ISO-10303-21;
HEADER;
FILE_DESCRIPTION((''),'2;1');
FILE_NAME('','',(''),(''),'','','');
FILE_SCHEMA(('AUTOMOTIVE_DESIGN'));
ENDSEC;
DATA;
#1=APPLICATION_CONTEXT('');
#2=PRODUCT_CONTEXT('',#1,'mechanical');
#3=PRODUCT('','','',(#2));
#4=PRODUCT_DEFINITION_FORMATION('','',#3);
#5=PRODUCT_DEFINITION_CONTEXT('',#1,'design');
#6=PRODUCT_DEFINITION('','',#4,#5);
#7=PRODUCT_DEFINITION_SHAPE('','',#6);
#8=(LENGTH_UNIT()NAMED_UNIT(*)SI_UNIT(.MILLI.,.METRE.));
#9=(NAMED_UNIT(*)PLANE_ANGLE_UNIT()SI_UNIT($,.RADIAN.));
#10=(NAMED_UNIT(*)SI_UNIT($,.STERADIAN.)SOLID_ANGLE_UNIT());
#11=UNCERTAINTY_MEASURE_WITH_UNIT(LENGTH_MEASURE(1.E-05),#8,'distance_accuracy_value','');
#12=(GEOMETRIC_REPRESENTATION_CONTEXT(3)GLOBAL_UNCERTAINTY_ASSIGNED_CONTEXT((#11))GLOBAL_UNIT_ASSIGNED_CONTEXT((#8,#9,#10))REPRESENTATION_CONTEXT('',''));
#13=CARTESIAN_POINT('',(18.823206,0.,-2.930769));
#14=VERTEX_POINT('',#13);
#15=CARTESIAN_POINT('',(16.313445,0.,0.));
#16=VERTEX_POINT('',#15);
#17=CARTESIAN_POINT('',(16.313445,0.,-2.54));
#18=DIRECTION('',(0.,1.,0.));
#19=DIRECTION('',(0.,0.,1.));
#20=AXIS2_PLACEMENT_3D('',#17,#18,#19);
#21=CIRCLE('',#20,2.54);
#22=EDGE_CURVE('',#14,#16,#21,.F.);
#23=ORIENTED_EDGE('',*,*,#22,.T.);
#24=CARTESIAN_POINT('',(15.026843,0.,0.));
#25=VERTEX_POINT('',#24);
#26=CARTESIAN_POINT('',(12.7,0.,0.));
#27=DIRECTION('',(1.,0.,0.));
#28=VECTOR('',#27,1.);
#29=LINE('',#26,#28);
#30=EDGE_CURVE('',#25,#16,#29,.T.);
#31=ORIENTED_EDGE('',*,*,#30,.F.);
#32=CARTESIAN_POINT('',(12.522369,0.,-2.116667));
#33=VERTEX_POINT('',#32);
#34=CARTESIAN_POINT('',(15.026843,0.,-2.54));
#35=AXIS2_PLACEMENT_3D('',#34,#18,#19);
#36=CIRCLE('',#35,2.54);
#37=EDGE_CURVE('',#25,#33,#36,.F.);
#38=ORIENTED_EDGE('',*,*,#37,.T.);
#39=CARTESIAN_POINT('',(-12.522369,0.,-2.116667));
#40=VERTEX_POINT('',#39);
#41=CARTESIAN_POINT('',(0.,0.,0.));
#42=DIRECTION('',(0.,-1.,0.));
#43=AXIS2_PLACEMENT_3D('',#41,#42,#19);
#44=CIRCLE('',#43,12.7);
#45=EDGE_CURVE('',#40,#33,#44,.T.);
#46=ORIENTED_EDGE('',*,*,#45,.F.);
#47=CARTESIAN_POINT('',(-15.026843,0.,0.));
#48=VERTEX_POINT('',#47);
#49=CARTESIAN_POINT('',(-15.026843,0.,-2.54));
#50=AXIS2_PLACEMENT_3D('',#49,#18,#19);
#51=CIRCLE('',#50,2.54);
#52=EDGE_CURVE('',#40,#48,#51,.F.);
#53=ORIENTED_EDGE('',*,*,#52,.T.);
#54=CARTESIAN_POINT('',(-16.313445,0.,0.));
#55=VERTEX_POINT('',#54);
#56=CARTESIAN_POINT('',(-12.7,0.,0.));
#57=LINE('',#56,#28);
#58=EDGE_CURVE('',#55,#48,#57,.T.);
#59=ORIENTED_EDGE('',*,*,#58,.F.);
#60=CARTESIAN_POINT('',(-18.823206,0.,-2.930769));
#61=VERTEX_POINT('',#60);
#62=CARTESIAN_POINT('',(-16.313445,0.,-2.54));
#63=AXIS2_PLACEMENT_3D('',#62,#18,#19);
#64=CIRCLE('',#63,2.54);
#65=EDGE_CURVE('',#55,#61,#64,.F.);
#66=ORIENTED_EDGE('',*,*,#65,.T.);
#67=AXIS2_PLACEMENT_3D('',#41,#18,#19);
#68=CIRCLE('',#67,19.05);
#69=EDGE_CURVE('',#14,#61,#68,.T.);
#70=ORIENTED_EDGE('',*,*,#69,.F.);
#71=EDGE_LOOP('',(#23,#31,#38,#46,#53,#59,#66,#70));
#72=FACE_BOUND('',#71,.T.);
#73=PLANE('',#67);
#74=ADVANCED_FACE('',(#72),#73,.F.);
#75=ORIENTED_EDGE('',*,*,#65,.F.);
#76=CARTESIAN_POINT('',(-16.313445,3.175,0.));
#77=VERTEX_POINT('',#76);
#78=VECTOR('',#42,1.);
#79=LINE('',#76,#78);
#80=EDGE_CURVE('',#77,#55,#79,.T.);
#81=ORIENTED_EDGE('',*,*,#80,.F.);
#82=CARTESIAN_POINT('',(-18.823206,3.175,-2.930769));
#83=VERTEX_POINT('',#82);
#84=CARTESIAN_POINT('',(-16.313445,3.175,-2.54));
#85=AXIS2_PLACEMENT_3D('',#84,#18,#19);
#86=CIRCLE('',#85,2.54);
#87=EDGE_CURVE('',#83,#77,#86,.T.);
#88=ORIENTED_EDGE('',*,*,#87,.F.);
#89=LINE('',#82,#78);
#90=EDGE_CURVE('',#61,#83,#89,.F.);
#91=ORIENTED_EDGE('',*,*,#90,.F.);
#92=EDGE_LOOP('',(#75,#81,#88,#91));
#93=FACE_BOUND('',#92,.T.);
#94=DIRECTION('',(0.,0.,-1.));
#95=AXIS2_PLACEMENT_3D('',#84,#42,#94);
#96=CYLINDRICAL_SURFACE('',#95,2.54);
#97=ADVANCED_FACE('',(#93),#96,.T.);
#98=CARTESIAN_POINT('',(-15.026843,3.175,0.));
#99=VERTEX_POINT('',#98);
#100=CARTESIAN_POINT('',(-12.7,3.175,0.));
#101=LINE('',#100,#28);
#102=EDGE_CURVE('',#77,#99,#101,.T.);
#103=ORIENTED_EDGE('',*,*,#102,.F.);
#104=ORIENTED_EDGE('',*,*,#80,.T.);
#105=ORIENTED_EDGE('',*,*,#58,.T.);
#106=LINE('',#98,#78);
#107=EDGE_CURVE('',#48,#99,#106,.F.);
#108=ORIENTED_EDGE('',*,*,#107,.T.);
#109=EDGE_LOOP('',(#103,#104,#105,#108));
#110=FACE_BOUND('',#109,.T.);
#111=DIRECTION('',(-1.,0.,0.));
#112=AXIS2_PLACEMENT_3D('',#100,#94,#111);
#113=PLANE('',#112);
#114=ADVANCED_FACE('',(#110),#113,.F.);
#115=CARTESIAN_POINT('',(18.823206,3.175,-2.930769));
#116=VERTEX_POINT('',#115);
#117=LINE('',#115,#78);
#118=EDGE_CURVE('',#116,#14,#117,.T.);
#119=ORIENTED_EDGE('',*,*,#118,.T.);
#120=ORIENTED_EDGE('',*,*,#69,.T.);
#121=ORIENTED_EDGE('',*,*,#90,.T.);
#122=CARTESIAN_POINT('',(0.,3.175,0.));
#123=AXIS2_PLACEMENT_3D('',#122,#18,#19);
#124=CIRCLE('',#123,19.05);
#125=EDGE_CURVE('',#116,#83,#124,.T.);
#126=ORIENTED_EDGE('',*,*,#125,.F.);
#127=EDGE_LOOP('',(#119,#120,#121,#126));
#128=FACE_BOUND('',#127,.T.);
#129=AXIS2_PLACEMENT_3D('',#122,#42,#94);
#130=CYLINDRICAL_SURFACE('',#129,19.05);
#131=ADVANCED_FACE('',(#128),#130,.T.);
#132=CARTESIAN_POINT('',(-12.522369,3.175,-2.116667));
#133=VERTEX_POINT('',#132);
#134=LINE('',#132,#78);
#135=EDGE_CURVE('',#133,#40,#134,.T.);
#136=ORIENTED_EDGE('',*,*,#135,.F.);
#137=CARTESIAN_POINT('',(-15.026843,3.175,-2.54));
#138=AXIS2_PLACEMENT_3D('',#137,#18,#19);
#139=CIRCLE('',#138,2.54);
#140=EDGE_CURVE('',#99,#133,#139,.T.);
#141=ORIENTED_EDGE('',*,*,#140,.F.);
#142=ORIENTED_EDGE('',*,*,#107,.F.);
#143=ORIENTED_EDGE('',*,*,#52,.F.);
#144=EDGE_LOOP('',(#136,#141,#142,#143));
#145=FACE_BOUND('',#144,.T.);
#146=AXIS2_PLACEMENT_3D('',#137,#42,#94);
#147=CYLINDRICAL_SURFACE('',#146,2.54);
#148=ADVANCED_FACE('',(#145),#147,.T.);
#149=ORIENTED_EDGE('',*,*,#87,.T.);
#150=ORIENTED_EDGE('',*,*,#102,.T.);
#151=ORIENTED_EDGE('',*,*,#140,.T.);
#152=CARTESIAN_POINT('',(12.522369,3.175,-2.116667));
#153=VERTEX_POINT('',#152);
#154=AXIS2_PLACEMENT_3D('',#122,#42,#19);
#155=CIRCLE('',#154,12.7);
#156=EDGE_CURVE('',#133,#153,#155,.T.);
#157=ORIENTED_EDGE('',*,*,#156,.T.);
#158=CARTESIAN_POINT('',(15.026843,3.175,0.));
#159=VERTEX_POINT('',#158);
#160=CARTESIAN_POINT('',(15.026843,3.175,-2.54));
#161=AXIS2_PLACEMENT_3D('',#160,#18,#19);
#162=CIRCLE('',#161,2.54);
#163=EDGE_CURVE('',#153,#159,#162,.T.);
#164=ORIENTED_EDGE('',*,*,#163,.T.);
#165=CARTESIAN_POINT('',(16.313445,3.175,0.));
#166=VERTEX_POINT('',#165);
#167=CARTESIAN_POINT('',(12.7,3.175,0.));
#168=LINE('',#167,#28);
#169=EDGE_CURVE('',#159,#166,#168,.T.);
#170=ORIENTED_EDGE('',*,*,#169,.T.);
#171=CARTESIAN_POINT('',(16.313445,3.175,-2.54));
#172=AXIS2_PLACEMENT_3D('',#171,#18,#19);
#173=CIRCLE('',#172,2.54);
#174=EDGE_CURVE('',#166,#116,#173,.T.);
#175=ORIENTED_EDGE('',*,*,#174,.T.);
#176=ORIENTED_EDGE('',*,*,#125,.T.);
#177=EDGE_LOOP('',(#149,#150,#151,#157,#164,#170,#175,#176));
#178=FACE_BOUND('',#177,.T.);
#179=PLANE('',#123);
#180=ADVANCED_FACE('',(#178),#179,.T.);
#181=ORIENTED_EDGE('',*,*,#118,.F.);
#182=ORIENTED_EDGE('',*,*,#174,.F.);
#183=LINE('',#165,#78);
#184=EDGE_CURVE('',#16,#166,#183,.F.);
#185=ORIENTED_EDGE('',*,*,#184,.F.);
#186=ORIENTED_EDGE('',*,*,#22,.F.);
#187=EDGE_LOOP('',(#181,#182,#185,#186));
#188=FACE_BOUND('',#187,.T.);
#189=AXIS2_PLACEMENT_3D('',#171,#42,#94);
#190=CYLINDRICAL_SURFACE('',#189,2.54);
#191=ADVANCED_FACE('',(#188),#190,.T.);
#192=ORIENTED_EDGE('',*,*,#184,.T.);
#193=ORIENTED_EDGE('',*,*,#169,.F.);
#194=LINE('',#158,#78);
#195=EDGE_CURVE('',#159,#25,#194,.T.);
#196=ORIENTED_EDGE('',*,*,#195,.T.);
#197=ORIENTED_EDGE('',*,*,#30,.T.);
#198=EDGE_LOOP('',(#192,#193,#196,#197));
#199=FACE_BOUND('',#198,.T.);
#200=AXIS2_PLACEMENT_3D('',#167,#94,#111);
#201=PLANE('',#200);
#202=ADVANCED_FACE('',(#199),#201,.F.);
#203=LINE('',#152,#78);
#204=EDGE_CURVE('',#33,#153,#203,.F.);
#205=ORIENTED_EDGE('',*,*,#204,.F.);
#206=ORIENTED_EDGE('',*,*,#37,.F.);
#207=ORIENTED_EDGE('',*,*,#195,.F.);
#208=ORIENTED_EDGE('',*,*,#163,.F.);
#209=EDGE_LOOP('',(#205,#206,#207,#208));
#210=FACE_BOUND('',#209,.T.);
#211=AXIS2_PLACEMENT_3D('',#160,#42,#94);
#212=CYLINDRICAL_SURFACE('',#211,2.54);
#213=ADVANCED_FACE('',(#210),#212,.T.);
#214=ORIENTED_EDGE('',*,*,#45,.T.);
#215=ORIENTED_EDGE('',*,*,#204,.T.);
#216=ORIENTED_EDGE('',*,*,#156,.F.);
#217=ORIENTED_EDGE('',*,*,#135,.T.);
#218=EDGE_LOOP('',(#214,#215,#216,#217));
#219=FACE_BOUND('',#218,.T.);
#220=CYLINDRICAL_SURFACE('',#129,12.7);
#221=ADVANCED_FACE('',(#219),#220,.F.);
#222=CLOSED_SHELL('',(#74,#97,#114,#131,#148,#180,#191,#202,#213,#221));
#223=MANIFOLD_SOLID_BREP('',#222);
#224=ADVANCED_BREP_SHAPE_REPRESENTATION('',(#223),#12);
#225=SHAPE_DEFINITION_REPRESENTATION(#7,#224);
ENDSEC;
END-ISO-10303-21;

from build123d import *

# Parameters (mm, degrees)
BOSS_EXTRUDE1_DEPTH = 3.175
FILLET1_R           = 2.54


with BuildPart() as part:
    # Sketch1 → Boss-Extrude1 (new body)
    with BuildSketch(Plane(origin=(0, 0, 0), x_dir=(1, 0, 0), z_dir=(0, 1, 0))):
        with BuildLine():
            Line((-12.7, 0), (-19.05, 0))
            ThreePointArc((-19.05, 0), (0, 19.05), (19.05, 0))
            Line((19.05, 0), (12.7, 0))
            ThreePointArc((12.7, 0), (0, 12.7), (-12.7, 0))
        make_face()
    extrude(amount=BOSS_EXTRUDE1_DEPTH)

    # Fillet1
    fillet1_edges = [part.edges().sort_by_distance(p)[0] for p in [
        (-12.7, 1.5875, 0),
        (-19.05, 1.5875, 0),
        (19.05, 1.5875, 0),
        (12.7, 1.5875, 0),
    ]]
    fillet(fillet1_edges, radius=FILLET1_R)


solid = part.part
